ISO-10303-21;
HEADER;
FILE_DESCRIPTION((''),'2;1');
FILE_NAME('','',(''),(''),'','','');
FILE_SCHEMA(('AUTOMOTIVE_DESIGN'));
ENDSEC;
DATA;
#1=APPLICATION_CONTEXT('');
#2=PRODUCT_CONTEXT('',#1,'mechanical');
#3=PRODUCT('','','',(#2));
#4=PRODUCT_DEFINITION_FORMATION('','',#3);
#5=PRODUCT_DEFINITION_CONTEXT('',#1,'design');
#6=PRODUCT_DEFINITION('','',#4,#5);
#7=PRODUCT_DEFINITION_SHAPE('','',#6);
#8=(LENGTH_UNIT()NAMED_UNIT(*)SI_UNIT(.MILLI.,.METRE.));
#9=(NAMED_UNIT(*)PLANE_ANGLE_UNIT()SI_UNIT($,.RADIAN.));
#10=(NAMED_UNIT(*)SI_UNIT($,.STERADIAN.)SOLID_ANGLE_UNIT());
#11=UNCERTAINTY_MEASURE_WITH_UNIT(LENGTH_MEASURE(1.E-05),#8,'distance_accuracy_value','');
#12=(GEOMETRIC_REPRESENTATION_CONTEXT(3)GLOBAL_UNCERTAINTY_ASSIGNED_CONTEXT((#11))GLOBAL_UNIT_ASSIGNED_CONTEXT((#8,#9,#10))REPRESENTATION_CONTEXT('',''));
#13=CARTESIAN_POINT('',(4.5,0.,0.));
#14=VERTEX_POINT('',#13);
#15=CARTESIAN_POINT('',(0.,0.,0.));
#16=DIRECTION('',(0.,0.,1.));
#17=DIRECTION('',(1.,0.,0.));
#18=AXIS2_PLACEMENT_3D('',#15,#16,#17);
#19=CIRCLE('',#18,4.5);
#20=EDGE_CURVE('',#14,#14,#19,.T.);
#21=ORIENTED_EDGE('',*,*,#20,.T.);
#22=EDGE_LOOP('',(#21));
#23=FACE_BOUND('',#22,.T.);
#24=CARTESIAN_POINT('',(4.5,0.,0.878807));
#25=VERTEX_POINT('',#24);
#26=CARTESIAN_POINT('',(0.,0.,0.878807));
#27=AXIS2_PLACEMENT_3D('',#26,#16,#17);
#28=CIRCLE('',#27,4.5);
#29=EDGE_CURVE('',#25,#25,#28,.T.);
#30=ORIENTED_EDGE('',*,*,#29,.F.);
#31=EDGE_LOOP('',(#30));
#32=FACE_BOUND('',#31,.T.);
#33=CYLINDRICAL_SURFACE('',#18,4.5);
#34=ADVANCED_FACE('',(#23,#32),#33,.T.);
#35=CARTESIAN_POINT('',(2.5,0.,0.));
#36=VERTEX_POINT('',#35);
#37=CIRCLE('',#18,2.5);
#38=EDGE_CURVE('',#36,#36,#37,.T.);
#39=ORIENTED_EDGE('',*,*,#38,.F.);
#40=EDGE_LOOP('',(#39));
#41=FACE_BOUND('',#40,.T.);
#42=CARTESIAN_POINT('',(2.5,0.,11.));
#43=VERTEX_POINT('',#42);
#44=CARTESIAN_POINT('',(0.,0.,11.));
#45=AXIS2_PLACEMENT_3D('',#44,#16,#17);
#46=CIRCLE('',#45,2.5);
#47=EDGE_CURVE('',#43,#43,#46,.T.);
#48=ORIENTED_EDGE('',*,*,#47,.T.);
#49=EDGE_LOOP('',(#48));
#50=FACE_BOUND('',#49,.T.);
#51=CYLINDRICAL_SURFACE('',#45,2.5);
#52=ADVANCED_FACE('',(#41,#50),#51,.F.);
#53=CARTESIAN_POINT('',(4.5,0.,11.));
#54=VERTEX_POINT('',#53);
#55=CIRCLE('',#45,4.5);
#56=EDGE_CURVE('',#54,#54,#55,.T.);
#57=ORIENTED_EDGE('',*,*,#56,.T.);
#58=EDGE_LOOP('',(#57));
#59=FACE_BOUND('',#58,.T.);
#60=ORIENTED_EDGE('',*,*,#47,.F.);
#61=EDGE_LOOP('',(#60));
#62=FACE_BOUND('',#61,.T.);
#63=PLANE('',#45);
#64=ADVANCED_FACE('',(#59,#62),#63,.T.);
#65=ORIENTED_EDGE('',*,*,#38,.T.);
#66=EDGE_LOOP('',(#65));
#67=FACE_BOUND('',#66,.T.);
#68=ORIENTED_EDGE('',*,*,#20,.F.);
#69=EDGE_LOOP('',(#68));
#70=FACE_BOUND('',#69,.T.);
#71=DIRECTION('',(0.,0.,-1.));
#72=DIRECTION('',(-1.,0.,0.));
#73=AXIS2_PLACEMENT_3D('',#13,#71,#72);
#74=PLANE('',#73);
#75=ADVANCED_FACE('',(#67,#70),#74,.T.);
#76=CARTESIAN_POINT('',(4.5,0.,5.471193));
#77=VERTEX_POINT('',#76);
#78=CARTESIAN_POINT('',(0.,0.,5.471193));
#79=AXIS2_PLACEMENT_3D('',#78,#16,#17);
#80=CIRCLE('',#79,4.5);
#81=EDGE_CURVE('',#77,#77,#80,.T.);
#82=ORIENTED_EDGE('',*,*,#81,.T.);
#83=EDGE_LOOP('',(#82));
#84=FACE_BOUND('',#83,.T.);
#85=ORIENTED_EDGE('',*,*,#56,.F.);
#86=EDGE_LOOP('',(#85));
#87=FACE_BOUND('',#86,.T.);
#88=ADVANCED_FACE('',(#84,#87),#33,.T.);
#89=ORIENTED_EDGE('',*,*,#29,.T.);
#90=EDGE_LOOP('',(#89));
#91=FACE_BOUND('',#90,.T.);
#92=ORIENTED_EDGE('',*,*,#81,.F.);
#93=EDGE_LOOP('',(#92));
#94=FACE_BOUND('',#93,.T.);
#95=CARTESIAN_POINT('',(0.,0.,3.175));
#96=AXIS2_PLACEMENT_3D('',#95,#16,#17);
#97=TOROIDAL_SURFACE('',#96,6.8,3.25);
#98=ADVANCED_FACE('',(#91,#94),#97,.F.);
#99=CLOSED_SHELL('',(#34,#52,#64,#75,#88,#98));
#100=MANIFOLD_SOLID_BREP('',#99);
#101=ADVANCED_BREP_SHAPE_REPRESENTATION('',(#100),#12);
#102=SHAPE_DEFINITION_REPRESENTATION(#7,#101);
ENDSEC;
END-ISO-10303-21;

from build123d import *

# Parameters (mm, degrees)
F_5_0_5_DIAMETER_HOLE1_D     = 5
F_5_0_5_DIAMETER_HOLE1_DEPTH = 11


with BuildPart() as part:
    # Sketch1 → Revolve1 (revolve)
    with BuildSketch(Plane(origin=(0, 0, 0), x_dir=(1, 0, 0), z_dir=(0, 1, 0))):
        with BuildLine():
            Line((4.5, 0), (0, 0))
            Line((0, 0), (0, -11))
            Line((0, -11), (4.5, -11))
            Line((4.5, -11), (4.5, -5.471192501))
            ThreePointArc((4.5, -5.471192501), (3.55, -3.175), (4.5, -0.878807499))
            Line((4.5, -0.878807499), (4.5, 0))
        make_face()
    revolve(axis=Axis((0, 0, 0), (0, 0, 1)))

    # Ø5.0 (5) Diameter Hole1
    with Locations(Plane.XY.offset(11)):
        with Locations((0, 0)):
            Hole(F_5_0_5_DIAMETER_HOLE1_D / 2, depth=F_5_0_5_DIAMETER_HOLE1_DEPTH)


solid = part.part
